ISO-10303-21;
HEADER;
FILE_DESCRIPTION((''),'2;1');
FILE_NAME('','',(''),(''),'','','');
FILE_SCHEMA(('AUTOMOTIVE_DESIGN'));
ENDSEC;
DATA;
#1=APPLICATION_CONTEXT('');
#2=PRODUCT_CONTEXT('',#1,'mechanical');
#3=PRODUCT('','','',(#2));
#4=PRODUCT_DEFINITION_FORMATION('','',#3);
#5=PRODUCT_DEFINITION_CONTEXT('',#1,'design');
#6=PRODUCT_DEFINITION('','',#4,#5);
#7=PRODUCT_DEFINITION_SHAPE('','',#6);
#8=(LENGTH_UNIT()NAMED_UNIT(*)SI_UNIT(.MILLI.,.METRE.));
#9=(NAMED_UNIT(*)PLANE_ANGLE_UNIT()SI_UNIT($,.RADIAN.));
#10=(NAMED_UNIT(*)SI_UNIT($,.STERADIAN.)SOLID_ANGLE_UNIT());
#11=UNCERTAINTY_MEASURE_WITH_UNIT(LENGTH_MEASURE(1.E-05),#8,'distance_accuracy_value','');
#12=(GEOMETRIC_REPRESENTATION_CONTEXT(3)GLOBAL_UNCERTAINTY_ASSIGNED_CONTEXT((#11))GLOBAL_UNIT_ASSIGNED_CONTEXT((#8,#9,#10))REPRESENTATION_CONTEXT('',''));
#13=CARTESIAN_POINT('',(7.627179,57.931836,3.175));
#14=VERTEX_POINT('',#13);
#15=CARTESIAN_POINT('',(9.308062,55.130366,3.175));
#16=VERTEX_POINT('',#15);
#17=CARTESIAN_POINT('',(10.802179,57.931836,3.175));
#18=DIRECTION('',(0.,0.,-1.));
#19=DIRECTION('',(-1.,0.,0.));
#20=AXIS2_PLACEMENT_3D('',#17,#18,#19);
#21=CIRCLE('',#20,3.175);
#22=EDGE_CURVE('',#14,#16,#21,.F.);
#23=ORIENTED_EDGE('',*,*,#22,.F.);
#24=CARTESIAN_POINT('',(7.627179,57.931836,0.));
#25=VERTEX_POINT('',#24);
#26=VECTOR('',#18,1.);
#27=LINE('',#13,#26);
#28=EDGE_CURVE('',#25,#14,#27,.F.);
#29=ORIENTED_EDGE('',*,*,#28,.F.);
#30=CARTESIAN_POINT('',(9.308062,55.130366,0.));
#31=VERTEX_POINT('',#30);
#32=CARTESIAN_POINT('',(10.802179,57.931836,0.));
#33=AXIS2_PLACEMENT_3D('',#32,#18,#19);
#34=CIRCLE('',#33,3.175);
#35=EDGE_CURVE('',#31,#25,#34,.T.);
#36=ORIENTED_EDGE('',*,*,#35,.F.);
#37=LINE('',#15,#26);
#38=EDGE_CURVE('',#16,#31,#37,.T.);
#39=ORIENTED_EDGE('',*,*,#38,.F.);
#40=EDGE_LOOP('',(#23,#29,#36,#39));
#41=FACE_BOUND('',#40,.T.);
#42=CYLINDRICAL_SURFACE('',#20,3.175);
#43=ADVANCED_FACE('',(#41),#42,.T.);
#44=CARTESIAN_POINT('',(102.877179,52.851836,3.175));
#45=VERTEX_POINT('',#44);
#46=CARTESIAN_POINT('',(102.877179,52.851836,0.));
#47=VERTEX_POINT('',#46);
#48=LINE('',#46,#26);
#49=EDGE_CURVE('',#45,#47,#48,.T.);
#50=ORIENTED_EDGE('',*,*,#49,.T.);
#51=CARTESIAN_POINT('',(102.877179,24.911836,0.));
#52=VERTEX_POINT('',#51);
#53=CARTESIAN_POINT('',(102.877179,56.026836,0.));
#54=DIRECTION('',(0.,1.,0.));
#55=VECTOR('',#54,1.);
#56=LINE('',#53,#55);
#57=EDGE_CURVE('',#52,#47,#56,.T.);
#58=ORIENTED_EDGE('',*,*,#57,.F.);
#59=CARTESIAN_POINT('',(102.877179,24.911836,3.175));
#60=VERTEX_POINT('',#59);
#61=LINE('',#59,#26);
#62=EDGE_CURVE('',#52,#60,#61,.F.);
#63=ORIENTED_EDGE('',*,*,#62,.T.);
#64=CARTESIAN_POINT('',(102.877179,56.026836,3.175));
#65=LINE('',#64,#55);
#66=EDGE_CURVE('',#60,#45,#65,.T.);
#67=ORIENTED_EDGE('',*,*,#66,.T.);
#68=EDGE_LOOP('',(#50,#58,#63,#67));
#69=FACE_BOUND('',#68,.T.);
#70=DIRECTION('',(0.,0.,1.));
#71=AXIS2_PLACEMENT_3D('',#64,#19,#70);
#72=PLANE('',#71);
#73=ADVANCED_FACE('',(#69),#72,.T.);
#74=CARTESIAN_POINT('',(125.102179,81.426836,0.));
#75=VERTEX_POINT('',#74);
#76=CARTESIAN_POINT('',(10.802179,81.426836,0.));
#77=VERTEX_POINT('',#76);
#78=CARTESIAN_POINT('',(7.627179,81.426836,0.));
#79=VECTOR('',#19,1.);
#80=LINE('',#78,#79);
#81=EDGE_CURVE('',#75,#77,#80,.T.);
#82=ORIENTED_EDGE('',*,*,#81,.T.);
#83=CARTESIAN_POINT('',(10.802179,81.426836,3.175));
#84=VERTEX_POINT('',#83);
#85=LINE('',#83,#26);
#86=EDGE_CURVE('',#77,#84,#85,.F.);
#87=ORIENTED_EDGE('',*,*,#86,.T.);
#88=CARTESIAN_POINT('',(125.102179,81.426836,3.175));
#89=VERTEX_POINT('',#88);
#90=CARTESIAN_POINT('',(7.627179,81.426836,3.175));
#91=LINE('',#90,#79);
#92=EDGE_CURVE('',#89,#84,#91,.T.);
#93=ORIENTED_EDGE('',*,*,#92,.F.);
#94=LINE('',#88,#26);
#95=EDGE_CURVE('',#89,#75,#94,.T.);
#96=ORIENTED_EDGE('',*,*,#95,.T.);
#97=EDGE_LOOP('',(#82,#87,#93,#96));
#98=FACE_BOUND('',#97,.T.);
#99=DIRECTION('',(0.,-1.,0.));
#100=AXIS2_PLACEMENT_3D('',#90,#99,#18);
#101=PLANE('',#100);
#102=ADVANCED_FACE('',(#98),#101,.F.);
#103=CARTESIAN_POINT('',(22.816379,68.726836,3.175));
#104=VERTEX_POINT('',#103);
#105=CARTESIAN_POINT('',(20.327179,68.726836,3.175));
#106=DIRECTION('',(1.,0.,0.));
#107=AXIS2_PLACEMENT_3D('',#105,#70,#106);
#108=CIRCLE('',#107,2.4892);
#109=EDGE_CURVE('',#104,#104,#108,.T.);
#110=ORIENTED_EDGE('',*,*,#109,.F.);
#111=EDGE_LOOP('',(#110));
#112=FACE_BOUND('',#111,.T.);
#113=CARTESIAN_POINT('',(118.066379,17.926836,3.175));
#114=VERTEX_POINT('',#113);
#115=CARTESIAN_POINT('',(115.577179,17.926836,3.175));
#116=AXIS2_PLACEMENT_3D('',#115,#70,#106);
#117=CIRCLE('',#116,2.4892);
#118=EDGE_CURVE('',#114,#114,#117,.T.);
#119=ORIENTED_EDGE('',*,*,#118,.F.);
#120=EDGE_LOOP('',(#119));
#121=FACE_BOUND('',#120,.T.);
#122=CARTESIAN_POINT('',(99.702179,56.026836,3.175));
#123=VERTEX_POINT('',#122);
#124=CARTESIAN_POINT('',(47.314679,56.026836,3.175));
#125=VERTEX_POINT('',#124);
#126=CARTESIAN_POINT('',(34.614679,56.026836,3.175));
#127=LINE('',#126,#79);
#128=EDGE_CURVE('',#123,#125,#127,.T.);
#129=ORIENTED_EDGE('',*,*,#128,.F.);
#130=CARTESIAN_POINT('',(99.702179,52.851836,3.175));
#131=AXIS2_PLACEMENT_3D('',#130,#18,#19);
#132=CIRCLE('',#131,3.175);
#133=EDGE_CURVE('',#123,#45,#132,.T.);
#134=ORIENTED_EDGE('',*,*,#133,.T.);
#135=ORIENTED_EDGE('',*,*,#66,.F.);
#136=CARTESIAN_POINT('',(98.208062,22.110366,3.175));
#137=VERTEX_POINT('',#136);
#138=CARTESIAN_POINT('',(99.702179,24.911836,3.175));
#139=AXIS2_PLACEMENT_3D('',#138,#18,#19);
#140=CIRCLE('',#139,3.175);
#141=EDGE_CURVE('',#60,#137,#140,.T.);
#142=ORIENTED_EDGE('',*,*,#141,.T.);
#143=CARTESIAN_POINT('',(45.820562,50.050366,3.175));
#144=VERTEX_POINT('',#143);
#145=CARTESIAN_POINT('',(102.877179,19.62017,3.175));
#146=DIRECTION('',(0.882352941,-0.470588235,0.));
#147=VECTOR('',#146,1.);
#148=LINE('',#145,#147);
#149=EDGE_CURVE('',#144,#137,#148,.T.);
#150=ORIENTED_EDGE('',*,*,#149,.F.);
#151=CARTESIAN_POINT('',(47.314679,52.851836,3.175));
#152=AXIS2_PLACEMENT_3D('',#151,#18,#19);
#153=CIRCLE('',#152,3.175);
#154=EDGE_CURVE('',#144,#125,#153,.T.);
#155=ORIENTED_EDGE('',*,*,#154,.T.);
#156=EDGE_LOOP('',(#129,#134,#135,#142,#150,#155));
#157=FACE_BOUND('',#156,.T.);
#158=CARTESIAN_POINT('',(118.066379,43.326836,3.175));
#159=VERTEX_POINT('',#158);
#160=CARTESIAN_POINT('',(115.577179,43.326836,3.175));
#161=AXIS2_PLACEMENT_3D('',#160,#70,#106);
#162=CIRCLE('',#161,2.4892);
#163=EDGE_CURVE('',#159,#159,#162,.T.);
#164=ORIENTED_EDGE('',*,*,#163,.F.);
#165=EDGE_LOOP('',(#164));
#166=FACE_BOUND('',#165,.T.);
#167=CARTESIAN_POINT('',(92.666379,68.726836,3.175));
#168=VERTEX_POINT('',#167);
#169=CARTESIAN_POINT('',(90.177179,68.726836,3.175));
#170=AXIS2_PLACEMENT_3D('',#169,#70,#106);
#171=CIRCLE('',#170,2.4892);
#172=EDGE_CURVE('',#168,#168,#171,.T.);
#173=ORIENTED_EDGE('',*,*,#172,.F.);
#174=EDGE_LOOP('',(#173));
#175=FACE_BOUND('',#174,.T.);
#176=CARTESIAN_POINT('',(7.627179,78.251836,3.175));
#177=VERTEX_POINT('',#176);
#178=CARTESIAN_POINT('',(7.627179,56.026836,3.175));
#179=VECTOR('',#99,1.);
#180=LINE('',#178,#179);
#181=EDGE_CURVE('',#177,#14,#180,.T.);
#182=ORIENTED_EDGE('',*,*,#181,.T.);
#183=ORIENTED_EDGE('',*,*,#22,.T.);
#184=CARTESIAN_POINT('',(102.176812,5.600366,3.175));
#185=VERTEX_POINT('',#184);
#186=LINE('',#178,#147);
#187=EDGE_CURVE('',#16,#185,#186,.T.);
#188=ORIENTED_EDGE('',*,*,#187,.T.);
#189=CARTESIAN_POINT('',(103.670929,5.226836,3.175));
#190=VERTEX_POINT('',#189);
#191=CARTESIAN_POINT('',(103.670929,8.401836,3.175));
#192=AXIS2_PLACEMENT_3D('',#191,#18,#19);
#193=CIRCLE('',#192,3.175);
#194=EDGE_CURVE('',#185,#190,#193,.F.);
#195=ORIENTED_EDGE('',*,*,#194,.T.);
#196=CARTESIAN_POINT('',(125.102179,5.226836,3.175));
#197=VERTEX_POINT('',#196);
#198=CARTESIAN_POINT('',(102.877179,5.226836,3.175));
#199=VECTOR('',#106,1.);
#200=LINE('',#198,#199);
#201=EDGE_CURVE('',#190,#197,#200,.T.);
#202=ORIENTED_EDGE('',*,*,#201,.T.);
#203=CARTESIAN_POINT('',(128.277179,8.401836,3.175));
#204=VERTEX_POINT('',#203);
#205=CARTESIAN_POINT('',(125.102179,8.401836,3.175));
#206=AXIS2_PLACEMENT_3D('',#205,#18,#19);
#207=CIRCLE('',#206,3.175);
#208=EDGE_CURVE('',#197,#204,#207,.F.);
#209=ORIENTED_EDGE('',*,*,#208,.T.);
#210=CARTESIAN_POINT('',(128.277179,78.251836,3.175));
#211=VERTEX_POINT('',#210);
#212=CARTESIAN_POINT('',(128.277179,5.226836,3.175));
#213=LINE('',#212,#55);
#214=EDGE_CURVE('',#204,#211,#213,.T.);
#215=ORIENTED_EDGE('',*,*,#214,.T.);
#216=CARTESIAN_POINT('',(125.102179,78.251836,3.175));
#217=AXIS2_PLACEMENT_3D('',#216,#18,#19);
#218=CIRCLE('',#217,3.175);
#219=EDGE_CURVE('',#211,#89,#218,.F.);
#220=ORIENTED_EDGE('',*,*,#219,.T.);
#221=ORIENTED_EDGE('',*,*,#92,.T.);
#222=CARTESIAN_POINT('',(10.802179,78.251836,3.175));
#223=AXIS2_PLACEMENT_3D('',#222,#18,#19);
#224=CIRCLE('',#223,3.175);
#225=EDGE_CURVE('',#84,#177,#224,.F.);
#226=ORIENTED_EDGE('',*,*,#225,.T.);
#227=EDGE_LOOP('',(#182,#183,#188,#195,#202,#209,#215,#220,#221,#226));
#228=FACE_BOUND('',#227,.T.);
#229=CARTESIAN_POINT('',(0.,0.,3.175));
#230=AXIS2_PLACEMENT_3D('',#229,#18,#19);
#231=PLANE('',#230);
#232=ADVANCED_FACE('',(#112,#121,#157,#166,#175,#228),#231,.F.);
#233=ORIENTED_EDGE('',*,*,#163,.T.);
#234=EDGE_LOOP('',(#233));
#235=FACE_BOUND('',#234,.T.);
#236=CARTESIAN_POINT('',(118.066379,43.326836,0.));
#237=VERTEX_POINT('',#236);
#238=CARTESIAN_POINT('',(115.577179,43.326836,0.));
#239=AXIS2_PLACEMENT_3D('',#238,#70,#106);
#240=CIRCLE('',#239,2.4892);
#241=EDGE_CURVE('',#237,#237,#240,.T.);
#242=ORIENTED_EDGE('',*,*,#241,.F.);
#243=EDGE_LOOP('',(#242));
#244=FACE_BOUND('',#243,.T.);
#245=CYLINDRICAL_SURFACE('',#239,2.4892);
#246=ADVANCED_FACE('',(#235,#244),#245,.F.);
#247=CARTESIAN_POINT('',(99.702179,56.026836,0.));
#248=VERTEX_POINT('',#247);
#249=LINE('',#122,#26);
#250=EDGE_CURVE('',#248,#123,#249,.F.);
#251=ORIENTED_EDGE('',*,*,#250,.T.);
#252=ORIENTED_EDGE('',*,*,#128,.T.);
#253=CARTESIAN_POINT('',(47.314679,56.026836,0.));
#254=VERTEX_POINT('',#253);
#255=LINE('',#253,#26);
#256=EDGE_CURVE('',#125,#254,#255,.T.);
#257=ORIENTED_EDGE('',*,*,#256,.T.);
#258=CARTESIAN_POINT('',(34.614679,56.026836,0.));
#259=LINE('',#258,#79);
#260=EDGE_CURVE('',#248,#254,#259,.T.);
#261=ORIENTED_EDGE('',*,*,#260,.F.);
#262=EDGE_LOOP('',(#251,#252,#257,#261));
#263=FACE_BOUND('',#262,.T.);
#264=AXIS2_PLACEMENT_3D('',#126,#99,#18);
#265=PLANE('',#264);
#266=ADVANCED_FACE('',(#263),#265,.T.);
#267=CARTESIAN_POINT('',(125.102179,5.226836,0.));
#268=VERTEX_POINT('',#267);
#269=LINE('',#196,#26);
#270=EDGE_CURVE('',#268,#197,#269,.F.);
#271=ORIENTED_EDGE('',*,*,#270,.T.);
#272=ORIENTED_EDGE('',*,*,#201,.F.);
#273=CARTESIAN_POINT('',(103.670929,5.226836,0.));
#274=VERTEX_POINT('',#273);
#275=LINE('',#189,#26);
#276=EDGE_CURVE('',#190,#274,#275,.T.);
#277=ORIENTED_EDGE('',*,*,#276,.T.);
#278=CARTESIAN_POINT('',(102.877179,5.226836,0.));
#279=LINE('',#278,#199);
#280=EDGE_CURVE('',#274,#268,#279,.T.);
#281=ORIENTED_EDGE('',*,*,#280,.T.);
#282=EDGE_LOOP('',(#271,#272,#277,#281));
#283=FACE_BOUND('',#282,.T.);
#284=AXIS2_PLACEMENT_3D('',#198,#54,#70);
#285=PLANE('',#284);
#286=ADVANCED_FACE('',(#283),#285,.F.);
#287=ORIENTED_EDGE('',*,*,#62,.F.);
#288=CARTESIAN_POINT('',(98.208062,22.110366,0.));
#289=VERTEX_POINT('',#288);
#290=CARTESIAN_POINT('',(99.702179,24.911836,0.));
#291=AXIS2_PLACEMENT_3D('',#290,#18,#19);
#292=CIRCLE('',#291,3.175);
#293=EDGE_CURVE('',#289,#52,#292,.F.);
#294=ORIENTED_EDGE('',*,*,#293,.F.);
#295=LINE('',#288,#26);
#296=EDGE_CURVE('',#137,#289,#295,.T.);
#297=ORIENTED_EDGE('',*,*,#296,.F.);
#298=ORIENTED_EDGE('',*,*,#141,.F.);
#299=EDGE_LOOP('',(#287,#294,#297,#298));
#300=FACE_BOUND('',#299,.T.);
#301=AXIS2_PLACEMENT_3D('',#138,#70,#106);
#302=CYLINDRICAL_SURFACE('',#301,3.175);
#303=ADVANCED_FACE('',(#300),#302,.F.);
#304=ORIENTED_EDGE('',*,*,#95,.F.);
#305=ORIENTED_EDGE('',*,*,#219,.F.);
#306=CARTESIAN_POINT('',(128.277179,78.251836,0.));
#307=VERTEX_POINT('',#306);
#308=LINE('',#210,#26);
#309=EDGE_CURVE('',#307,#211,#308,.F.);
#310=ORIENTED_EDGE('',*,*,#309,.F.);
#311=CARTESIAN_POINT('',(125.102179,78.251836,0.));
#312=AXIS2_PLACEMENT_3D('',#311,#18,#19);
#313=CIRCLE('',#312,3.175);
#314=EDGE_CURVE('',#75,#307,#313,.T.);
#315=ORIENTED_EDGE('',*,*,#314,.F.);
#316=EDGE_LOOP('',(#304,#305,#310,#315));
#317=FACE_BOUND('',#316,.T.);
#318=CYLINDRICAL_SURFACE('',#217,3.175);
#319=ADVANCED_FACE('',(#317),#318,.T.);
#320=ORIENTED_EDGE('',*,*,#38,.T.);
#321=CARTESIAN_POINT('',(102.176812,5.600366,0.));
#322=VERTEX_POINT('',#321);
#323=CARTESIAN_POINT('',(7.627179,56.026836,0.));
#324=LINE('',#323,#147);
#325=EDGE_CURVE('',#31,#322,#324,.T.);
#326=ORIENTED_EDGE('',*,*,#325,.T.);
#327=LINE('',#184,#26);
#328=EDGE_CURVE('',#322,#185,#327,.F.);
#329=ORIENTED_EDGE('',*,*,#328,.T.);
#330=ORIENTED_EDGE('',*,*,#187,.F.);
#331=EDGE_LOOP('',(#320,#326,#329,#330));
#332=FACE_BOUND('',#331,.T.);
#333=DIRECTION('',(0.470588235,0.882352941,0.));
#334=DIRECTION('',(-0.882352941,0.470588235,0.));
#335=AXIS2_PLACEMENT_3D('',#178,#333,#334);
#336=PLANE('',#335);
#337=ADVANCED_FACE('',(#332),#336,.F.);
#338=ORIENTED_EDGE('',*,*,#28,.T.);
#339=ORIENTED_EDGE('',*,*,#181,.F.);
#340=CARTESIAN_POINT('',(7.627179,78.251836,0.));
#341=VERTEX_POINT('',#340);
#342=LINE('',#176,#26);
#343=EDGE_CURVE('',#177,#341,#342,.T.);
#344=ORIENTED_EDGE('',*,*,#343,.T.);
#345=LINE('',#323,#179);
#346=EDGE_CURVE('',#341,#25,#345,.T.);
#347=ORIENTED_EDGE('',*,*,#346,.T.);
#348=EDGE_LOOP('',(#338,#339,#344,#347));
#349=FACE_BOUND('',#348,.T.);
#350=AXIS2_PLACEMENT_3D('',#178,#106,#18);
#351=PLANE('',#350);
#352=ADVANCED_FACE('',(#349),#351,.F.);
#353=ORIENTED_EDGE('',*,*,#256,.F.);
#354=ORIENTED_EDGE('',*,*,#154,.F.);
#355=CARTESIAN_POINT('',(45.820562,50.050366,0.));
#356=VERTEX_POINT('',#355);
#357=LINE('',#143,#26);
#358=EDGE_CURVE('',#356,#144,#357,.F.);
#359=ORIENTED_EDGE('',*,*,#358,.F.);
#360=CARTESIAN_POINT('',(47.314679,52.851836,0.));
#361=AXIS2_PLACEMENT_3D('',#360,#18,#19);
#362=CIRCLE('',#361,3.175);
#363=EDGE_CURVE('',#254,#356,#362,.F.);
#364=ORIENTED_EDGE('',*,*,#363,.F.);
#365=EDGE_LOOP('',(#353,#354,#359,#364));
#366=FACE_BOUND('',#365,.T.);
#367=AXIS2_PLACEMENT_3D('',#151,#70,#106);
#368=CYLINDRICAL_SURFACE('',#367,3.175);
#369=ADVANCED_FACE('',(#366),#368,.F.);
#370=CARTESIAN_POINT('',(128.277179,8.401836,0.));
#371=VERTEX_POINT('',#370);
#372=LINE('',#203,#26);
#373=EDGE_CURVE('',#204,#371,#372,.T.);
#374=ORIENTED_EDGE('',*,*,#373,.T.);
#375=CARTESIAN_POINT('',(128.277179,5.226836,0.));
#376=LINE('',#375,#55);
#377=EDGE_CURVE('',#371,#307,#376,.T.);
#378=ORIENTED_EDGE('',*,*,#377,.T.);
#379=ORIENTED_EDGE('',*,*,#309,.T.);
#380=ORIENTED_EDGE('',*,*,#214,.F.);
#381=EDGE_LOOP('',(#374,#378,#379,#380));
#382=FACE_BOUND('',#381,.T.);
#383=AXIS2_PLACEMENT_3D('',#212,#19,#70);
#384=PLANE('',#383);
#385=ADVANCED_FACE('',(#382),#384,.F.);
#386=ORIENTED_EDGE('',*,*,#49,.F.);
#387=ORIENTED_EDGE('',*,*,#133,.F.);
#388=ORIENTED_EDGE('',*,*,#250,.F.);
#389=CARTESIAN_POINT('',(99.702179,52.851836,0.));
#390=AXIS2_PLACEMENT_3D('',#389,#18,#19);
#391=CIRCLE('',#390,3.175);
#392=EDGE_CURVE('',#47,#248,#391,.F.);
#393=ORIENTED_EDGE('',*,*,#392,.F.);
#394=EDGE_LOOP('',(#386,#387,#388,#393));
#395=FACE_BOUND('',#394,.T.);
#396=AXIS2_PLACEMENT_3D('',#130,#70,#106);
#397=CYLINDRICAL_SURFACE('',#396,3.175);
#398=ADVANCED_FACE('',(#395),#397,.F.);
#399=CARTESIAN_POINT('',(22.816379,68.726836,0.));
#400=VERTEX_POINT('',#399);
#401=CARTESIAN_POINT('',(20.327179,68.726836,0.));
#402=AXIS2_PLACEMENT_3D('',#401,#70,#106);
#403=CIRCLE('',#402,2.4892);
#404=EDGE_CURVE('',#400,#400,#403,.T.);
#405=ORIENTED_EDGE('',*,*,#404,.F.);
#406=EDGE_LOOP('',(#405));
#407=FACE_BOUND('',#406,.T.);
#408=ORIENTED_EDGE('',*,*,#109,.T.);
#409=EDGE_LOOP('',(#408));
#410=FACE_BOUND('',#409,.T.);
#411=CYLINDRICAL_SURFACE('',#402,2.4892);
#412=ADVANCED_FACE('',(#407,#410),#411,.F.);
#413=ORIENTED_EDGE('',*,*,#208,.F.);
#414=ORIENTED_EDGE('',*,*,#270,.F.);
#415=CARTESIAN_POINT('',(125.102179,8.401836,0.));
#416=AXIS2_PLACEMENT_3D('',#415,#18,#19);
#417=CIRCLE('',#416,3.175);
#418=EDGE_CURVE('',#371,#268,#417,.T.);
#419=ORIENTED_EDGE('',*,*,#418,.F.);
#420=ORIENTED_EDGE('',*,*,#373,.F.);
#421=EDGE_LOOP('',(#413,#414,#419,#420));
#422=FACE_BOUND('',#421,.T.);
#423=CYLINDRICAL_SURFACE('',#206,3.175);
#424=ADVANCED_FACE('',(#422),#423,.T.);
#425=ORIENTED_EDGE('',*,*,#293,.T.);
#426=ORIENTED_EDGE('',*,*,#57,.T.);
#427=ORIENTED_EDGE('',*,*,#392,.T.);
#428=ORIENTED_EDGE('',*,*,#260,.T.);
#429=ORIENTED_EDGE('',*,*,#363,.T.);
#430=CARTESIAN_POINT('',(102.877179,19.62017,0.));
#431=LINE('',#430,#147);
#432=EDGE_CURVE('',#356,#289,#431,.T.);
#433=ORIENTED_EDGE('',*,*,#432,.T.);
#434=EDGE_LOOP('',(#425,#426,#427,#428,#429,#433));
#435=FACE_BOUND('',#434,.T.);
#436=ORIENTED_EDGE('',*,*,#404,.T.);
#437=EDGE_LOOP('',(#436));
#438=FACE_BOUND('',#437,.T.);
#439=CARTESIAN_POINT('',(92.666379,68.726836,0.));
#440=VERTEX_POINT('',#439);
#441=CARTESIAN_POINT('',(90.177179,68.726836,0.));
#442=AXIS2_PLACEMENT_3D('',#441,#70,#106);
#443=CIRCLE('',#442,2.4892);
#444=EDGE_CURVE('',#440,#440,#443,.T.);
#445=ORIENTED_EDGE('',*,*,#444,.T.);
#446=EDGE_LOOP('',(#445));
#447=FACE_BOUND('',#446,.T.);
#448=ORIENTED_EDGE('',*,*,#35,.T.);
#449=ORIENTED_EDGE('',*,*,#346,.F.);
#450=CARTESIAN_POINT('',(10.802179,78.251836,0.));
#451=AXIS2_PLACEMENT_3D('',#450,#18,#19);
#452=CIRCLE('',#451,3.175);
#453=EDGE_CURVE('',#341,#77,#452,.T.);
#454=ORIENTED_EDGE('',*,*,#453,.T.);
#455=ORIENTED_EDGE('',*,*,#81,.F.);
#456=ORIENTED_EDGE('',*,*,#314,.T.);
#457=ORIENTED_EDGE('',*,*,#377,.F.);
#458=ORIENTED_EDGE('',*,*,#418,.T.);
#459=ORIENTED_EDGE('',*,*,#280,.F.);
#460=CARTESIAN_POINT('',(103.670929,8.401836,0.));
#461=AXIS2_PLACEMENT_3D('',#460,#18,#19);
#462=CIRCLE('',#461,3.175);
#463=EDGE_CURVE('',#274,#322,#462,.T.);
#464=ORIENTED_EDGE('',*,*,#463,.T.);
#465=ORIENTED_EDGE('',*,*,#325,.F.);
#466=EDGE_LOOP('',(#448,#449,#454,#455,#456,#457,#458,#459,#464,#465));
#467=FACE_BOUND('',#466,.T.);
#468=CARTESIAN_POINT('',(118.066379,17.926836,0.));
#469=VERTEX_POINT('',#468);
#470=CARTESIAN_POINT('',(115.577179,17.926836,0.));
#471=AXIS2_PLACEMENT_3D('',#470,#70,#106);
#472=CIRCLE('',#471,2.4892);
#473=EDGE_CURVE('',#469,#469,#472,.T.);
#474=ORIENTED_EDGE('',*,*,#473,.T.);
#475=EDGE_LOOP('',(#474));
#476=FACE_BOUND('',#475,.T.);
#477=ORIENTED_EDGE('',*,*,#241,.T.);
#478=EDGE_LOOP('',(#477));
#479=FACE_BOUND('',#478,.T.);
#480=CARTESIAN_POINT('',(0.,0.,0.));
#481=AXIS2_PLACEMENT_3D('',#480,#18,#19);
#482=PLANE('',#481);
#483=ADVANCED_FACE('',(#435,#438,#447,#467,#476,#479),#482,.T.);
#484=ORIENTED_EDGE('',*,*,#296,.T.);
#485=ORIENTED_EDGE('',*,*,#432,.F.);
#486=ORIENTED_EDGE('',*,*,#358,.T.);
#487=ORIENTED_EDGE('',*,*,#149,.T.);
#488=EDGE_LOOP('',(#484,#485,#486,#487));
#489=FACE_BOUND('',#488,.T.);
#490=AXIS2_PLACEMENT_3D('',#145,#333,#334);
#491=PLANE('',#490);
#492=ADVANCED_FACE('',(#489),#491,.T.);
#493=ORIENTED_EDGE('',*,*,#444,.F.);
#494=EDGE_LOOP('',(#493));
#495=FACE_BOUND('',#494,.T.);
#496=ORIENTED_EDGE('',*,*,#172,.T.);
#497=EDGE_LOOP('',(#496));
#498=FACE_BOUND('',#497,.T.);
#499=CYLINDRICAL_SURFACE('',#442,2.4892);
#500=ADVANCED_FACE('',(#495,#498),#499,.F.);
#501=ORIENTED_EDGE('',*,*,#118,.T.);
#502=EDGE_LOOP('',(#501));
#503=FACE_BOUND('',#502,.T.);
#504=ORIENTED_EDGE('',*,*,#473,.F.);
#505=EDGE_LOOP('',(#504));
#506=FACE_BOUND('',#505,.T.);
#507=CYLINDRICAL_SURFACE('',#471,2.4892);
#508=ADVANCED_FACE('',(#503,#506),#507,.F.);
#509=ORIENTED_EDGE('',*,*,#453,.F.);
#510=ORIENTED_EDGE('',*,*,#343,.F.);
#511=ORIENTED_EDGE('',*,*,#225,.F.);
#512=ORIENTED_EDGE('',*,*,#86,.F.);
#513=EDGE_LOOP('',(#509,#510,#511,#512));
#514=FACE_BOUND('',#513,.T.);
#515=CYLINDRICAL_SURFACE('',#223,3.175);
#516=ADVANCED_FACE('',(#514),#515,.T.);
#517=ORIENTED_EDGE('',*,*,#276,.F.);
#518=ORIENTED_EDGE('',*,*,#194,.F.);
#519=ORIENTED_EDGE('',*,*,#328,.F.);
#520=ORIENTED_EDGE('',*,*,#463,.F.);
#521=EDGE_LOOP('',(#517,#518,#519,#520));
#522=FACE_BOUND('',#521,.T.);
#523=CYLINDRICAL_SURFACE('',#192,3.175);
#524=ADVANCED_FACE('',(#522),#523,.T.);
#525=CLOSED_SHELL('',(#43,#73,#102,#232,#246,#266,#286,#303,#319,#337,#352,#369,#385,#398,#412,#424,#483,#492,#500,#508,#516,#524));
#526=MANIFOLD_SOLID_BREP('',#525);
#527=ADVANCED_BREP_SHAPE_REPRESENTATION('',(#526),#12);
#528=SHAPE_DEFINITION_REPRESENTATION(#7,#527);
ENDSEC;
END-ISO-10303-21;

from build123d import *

# Parameters (mm, degrees)
BOSS_EXTRUDE1_DEPTH = 3.175
SKETCH2_R           = 2.4892
CUT_EXTRUDE1_DEPTH  = 152.971856141
FILLET1_R           = 3.175


with BuildPart() as part:
    # Sketch1 → Boss-Extrude1 (new body)
    with BuildSketch(Plane.XY):
        Polygon((7.627179371, 56.026836403), (102.877179371, 5.226836403), (128.277179371, 5.226836403), (128.277179371, 81.426836403), (7.627179371, 81.426836403), align=None)
        Polygon((34.614679371, 56.026836403), (102.877179371, 56.026836403), (102.877179371, 19.620169736), align=None, mode=Mode.SUBTRACT)
    extrude(amount=BOSS_EXTRUDE1_DEPTH)

    # Sketch2 → Cut-Extrude1 (cut, through all)
    with BuildSketch(Plane.XY.offset(3.175)):
        with Locations((115.577179371, 43.326836403)):
            Circle(SKETCH2_R)
        with Locations((115.577179371, 17.926836403)):
            Circle(SKETCH2_R)
        with Locations((90.177179371, 68.726836403)):
            Circle(SKETCH2_R)
        with Locations((20.327179371, 68.726836403)):
            Circle(SKETCH2_R)
    extrude(amount=-CUT_EXTRUDE1_DEPTH, mode=Mode.SUBTRACT)

    # Fillet1
    fillet1_edges = [part.edges().sort_by_distance(p)[0] for p in [
        (34.614679371, 56.026836403, 1.5875),
        (102.877179371, 19.620169736, 1.5875),
        (102.877179371, 56.026836403, 1.5875),
        (128.277179371, 5.226836403, 1.5875),
        (102.877179371, 5.226836403, 1.5875),
        (7.627179371, 56.026836403, 1.5875),
        (7.627179371, 81.426836403, 1.5875),
        (128.277179371, 81.426836403, 1.5875),
    ]]
    fillet(fillet1_edges, radius=FILLET1_R)


solid = part.part
